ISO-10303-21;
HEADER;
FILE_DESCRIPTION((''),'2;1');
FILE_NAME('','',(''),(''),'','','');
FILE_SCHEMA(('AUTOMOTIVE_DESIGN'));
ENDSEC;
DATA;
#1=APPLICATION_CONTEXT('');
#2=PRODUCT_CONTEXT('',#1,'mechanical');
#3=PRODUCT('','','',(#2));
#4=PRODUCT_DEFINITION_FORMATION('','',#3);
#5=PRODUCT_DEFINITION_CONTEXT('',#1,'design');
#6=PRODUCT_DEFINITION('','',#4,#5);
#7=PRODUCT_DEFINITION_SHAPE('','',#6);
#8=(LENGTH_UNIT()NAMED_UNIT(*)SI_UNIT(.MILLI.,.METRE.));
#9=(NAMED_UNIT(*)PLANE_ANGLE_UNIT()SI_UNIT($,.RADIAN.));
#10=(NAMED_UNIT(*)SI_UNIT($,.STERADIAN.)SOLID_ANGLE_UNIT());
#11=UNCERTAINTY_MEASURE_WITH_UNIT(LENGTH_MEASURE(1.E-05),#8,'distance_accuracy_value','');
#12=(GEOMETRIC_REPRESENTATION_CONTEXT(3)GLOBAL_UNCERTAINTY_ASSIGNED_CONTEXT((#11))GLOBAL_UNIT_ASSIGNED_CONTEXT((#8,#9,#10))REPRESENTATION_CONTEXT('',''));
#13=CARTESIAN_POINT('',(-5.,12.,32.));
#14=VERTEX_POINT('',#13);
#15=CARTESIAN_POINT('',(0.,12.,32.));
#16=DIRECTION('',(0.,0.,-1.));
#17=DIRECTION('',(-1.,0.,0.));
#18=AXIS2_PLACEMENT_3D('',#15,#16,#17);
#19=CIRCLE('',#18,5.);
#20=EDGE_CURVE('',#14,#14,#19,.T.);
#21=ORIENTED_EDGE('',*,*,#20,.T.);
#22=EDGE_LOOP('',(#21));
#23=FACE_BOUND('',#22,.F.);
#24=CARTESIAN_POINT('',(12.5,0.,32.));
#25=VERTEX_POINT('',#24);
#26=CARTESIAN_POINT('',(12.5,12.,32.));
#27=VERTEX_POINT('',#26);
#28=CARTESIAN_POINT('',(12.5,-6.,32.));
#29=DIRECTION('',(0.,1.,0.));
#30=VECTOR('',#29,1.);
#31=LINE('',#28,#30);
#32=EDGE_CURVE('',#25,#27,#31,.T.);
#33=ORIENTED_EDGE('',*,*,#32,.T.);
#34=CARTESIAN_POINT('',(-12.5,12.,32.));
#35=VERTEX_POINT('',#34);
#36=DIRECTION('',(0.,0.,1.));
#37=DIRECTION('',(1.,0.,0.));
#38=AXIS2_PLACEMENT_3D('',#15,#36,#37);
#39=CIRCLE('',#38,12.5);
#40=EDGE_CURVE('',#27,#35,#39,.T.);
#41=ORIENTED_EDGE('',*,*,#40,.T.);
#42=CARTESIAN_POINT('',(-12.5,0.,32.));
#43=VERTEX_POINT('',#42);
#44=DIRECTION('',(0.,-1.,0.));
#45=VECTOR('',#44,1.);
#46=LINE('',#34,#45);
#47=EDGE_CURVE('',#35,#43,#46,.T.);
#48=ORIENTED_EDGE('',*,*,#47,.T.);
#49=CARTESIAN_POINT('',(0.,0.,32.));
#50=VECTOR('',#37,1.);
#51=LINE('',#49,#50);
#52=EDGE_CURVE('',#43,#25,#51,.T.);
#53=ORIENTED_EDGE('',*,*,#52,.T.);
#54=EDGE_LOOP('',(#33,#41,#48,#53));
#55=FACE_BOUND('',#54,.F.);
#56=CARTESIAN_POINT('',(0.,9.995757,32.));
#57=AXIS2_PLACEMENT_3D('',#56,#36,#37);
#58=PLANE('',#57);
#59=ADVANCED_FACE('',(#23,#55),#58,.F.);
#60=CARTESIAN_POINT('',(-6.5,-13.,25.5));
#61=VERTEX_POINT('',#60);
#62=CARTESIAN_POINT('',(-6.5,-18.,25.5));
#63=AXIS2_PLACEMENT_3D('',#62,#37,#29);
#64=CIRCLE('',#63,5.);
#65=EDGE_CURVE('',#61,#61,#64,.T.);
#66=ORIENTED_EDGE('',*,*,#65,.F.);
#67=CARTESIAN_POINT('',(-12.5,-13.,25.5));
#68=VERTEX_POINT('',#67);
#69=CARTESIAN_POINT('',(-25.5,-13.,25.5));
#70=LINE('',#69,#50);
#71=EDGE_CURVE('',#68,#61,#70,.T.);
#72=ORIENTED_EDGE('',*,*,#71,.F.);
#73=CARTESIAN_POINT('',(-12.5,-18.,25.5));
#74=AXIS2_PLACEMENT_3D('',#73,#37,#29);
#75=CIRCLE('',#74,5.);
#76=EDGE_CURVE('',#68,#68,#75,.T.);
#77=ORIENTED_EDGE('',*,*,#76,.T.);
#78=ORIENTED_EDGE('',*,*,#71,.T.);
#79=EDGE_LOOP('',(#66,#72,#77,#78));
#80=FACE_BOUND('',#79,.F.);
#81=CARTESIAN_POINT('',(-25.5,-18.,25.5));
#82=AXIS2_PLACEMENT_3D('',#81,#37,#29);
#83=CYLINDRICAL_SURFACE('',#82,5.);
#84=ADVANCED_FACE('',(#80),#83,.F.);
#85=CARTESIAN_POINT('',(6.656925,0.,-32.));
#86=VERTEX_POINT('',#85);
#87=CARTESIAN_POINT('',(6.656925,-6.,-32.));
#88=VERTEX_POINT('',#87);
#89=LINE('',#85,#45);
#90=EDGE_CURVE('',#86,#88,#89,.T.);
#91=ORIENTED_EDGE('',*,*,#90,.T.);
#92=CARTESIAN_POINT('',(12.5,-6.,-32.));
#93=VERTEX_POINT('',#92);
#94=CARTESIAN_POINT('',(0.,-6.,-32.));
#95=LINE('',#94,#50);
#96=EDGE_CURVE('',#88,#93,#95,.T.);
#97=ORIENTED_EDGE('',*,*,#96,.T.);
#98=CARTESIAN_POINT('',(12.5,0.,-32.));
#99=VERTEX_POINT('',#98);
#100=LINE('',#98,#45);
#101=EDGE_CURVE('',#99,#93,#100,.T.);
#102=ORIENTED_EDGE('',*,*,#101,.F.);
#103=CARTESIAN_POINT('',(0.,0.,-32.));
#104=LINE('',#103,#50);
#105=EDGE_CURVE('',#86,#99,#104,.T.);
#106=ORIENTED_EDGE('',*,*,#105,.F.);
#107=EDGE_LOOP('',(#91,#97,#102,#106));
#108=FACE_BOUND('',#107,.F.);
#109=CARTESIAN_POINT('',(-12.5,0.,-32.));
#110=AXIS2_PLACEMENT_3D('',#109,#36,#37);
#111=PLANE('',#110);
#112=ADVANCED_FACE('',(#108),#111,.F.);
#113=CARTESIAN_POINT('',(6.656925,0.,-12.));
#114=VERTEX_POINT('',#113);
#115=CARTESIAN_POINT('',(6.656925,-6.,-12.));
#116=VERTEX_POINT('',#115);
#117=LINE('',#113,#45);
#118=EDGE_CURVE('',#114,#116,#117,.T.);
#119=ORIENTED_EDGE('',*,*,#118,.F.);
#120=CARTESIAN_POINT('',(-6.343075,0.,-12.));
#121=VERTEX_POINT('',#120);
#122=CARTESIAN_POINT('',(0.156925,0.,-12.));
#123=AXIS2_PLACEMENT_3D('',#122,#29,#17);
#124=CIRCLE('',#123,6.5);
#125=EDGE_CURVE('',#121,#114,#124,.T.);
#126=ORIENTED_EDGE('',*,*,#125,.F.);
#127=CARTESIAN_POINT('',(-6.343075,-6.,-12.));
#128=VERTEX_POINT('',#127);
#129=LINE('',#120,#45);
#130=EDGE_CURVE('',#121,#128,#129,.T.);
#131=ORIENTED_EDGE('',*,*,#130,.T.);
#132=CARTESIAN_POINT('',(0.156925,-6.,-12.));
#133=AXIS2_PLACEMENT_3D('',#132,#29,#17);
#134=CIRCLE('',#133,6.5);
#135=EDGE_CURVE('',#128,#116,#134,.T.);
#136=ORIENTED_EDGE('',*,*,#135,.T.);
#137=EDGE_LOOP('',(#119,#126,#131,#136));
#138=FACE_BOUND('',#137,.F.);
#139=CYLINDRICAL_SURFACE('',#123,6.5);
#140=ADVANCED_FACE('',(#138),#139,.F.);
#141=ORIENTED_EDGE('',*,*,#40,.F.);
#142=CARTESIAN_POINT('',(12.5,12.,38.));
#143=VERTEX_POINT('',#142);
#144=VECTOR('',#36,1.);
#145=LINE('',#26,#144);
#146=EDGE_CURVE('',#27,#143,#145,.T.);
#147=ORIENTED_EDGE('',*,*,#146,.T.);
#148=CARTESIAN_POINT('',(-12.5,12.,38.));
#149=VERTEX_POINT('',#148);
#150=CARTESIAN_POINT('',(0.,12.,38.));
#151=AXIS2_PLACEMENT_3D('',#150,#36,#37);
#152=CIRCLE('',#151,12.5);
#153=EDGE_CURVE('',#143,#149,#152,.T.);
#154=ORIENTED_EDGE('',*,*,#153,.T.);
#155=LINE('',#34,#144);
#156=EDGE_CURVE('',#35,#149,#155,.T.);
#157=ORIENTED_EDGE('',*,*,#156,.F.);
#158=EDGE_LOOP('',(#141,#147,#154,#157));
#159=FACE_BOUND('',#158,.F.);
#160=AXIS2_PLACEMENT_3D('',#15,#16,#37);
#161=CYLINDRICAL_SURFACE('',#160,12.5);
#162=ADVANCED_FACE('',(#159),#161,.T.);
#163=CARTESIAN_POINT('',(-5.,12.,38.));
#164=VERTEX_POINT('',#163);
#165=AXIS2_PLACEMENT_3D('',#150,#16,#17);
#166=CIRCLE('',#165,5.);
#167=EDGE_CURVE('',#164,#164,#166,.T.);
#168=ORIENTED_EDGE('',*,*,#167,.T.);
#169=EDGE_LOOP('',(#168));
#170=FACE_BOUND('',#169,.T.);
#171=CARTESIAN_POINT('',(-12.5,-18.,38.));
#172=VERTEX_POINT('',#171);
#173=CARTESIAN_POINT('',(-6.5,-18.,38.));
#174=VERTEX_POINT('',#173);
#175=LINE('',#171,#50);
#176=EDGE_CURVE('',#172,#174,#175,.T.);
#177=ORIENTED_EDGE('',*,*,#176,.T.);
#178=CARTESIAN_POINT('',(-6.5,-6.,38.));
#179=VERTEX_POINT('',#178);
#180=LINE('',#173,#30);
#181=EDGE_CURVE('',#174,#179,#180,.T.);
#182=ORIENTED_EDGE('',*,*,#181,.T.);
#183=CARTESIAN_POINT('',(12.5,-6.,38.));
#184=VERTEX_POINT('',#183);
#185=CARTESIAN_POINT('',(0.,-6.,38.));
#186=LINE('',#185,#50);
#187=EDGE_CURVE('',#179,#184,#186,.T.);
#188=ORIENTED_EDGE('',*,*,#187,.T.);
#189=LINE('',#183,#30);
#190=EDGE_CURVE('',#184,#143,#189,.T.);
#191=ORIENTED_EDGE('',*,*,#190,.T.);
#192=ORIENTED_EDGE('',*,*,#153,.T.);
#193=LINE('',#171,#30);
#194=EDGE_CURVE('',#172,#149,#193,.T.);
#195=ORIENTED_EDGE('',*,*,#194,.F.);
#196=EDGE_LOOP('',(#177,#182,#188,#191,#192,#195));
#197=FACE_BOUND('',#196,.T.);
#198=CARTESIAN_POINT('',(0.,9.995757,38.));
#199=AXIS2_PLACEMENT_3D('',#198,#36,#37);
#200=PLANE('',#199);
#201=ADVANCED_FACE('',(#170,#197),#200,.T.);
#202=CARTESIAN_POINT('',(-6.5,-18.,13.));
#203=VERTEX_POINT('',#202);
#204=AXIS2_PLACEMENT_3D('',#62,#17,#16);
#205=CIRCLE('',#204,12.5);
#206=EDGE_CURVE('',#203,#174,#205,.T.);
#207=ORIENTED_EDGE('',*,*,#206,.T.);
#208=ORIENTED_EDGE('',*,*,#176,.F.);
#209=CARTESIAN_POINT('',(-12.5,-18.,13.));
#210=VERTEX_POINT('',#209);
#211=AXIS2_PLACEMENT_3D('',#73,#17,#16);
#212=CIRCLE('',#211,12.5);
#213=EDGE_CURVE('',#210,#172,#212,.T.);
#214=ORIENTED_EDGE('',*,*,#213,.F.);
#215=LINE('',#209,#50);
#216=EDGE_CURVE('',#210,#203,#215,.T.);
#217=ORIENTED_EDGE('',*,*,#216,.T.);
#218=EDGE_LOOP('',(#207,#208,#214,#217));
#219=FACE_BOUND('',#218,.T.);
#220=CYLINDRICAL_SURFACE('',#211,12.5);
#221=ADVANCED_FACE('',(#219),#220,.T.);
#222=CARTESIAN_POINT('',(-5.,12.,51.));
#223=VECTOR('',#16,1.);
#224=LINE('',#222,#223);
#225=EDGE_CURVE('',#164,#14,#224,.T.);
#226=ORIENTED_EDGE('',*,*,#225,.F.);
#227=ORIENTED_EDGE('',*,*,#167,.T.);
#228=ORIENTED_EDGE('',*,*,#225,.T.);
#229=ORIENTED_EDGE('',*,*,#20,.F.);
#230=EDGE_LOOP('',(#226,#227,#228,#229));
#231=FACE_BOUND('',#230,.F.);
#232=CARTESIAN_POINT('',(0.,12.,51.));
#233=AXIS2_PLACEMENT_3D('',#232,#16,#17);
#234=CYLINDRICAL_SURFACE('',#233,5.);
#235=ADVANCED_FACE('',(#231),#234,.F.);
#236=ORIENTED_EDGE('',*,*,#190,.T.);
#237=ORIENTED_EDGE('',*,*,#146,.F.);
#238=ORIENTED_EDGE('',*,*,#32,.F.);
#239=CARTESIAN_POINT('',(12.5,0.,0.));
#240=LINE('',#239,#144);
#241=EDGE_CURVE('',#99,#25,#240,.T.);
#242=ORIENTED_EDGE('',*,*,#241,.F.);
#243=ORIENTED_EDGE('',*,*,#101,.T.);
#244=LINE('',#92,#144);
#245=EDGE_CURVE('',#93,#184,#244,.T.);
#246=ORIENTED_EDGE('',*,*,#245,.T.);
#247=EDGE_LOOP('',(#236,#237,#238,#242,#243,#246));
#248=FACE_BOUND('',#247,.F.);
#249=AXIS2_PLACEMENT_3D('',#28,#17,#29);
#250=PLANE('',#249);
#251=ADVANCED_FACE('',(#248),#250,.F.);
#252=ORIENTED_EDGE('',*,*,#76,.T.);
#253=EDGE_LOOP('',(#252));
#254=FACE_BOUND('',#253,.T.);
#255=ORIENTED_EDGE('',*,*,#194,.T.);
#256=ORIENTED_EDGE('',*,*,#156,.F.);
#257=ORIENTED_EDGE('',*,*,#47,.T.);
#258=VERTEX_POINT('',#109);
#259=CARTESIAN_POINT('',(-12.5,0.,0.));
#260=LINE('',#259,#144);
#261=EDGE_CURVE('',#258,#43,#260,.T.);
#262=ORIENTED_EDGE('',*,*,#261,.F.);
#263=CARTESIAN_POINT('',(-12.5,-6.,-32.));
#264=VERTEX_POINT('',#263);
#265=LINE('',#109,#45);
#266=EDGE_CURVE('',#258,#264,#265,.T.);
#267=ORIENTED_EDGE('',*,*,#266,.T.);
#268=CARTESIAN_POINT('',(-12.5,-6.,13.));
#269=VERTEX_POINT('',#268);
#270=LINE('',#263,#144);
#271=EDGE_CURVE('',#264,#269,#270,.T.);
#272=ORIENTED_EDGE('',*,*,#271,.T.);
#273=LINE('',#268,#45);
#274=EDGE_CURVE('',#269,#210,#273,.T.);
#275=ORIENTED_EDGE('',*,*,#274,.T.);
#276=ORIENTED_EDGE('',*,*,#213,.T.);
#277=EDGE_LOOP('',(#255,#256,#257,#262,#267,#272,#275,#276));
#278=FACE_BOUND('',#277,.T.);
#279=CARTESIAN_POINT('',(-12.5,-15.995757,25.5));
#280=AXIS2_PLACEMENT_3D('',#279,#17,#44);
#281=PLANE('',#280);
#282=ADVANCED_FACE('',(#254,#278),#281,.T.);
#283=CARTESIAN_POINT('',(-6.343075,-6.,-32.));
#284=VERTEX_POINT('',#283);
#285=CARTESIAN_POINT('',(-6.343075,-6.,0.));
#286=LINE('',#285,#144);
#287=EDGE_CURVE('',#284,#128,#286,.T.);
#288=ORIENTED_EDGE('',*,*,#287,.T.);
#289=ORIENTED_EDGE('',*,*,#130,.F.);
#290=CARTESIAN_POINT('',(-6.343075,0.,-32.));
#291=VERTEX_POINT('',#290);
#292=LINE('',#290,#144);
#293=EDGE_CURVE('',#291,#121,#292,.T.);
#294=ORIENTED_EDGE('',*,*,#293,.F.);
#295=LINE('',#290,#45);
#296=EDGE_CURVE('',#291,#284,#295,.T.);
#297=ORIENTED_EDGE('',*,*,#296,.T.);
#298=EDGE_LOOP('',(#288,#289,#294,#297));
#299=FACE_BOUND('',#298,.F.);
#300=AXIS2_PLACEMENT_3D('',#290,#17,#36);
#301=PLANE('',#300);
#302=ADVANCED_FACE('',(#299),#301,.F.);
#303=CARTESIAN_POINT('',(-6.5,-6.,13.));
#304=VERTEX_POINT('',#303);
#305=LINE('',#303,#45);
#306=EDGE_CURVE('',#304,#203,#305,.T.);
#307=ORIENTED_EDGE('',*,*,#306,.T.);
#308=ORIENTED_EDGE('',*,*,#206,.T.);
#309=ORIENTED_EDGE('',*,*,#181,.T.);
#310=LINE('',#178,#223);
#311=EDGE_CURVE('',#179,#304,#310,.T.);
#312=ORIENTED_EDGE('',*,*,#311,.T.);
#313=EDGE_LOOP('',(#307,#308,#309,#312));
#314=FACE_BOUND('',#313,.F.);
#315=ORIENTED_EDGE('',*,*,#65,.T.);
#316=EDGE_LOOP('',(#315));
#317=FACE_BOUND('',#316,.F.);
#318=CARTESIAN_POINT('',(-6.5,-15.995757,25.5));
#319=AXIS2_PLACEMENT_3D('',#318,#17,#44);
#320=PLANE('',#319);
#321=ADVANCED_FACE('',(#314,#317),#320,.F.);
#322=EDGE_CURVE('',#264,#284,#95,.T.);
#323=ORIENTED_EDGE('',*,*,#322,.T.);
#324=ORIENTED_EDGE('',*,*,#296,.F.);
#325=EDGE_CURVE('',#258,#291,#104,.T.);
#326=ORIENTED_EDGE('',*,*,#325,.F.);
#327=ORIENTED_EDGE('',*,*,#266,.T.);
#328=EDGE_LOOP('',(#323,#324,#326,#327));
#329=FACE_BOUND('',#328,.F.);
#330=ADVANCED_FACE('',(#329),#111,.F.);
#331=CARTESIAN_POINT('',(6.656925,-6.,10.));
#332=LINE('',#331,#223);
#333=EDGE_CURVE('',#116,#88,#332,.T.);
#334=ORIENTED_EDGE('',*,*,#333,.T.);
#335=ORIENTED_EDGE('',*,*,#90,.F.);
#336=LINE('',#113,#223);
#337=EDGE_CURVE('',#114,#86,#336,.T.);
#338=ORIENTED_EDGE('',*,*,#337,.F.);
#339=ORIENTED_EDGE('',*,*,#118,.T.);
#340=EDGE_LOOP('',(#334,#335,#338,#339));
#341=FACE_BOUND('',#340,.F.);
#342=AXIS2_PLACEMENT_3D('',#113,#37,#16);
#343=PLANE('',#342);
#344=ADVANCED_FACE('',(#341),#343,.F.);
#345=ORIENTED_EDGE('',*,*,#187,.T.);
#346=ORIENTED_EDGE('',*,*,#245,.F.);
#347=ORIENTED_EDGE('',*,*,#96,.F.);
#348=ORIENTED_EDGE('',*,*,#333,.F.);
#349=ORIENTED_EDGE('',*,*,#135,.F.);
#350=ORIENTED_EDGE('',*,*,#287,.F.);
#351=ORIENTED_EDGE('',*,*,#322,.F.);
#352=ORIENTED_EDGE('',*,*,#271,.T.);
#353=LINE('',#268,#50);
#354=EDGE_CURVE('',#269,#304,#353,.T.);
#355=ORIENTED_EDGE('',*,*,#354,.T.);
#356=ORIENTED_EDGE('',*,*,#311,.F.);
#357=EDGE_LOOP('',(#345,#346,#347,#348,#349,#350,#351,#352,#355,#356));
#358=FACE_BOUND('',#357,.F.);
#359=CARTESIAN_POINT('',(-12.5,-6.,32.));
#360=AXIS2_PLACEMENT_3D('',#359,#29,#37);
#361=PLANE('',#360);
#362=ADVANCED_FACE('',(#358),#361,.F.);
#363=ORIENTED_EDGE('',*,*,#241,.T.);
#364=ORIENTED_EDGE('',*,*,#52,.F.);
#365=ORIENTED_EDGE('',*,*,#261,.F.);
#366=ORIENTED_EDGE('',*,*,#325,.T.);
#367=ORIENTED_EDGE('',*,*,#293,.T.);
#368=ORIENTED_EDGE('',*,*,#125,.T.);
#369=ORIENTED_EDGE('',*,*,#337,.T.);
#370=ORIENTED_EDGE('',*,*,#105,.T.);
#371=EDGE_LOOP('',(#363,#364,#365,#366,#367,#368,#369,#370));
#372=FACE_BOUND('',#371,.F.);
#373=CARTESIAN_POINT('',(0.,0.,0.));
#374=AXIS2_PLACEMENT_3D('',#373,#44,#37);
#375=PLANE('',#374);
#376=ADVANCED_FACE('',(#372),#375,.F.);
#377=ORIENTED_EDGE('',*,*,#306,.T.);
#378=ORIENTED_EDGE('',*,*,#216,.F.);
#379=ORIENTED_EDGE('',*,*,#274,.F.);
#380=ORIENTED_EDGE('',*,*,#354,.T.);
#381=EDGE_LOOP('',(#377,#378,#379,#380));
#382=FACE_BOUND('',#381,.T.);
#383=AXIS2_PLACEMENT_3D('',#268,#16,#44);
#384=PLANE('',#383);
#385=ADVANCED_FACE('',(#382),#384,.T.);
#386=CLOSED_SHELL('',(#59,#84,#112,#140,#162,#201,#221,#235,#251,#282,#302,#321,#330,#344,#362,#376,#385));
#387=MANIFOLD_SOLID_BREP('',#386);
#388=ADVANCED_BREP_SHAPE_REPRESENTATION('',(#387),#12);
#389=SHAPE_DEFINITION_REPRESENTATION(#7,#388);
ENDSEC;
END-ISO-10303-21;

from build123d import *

# Parameters (mm, degrees)
F0_W      = 25
F0_H      = 64
F1_DEPTH  = 6
F2_W      = 25
F2_H      = 6
F3_DEPTH  = 6
F5_DEPTH  = 6
F7_D      = 10
F7_DEPTH  = 13
F7_TIP    = 3.0043030951
F9_D      = 10
F9_DEPTH  = 13
F9_TIP    = 3.0043030951
F11_DEPTH = 12.4


with BuildPart() as f1:
    # F0 (on Front) → F1 (new body)
    with BuildSketch(Plane.XZ):
        Rectangle(F0_W, F0_H)
    extrude(amount=F1_DEPTH)

    # F2 (on face) → F3 (join)
    with BuildSketch(Plane.XY.offset(32)):
        with BuildLine():
            Line((-12.5, 12), (-12.5, 0))
            Line((-12.5, 0), (12.5, 0))
            Line((12.5, 0), (12.5, 12))
            ThreePointArc((12.5, 12), (0, 24.5), (-12.5, 12))
        make_face()
        with Locations((0, -3)):
            Rectangle(F2_W, F2_H)
    extrude(amount=F3_DEPTH)

    # F4 (on face) → F5 (join)
    with BuildSketch(Plane(origin=(-12.5, 0, 0), x_dir=(0, -1, 0), z_dir=(-1, 0, 0))):
        with BuildLine():
            Line((6, 38), (6, 13))
            Line((6, 13), (18, 13))
            ThreePointArc((18, 13), (30.5, 25.5), (18, 38))
            Line((18, 38), (6, 38))
        make_face()
    extrude(amount=-F5_DEPTH)

    # F7
    with Locations(Plane.XY.offset(38)):
        with Locations((0, 12)):
            Hole(F7_D / 2, depth=F7_DEPTH)
            with Locations((0, 0, -(F7_DEPTH + F7_TIP / 2))):  # 118° drill point
                Cone(0, F7_D / 2, F7_TIP, mode=Mode.SUBTRACT)

    # F9
    with Locations(Plane(origin=(-12.5, 0, 0), x_dir=(0, -1, 0), z_dir=(-1, 0, 0))):
        with Locations((18, 25.5)):
            Hole(F9_D / 2, depth=F9_DEPTH)
            with Locations((0, 0, -(F9_DEPTH + F9_TIP / 2))):  # 118° drill point
                Cone(0, F9_D / 2, F9_TIP, mode=Mode.SUBTRACT)

    # F10 (on face) → F11 (cut)
    with BuildSketch(Plane(origin=(0, 0, 0), x_dir=(-1, 0, 0), z_dir=(0, 1, 0))):
        with BuildLine():
            Line((-6.6569247283, -12), (-6.6569247283, -32))
            Line((-6.6569247283, -32), (6.3430752717, -32))
            Line((6.3430752717, -32), (6.3430752717, -12))
            ThreePointArc((6.3430752717, -12), (-0.1569247283, -5.5), (-6.6569247283, -12))
        make_face()
    extrude(amount=-F11_DEPTH, mode=Mode.SUBTRACT)


solid = f1.part
